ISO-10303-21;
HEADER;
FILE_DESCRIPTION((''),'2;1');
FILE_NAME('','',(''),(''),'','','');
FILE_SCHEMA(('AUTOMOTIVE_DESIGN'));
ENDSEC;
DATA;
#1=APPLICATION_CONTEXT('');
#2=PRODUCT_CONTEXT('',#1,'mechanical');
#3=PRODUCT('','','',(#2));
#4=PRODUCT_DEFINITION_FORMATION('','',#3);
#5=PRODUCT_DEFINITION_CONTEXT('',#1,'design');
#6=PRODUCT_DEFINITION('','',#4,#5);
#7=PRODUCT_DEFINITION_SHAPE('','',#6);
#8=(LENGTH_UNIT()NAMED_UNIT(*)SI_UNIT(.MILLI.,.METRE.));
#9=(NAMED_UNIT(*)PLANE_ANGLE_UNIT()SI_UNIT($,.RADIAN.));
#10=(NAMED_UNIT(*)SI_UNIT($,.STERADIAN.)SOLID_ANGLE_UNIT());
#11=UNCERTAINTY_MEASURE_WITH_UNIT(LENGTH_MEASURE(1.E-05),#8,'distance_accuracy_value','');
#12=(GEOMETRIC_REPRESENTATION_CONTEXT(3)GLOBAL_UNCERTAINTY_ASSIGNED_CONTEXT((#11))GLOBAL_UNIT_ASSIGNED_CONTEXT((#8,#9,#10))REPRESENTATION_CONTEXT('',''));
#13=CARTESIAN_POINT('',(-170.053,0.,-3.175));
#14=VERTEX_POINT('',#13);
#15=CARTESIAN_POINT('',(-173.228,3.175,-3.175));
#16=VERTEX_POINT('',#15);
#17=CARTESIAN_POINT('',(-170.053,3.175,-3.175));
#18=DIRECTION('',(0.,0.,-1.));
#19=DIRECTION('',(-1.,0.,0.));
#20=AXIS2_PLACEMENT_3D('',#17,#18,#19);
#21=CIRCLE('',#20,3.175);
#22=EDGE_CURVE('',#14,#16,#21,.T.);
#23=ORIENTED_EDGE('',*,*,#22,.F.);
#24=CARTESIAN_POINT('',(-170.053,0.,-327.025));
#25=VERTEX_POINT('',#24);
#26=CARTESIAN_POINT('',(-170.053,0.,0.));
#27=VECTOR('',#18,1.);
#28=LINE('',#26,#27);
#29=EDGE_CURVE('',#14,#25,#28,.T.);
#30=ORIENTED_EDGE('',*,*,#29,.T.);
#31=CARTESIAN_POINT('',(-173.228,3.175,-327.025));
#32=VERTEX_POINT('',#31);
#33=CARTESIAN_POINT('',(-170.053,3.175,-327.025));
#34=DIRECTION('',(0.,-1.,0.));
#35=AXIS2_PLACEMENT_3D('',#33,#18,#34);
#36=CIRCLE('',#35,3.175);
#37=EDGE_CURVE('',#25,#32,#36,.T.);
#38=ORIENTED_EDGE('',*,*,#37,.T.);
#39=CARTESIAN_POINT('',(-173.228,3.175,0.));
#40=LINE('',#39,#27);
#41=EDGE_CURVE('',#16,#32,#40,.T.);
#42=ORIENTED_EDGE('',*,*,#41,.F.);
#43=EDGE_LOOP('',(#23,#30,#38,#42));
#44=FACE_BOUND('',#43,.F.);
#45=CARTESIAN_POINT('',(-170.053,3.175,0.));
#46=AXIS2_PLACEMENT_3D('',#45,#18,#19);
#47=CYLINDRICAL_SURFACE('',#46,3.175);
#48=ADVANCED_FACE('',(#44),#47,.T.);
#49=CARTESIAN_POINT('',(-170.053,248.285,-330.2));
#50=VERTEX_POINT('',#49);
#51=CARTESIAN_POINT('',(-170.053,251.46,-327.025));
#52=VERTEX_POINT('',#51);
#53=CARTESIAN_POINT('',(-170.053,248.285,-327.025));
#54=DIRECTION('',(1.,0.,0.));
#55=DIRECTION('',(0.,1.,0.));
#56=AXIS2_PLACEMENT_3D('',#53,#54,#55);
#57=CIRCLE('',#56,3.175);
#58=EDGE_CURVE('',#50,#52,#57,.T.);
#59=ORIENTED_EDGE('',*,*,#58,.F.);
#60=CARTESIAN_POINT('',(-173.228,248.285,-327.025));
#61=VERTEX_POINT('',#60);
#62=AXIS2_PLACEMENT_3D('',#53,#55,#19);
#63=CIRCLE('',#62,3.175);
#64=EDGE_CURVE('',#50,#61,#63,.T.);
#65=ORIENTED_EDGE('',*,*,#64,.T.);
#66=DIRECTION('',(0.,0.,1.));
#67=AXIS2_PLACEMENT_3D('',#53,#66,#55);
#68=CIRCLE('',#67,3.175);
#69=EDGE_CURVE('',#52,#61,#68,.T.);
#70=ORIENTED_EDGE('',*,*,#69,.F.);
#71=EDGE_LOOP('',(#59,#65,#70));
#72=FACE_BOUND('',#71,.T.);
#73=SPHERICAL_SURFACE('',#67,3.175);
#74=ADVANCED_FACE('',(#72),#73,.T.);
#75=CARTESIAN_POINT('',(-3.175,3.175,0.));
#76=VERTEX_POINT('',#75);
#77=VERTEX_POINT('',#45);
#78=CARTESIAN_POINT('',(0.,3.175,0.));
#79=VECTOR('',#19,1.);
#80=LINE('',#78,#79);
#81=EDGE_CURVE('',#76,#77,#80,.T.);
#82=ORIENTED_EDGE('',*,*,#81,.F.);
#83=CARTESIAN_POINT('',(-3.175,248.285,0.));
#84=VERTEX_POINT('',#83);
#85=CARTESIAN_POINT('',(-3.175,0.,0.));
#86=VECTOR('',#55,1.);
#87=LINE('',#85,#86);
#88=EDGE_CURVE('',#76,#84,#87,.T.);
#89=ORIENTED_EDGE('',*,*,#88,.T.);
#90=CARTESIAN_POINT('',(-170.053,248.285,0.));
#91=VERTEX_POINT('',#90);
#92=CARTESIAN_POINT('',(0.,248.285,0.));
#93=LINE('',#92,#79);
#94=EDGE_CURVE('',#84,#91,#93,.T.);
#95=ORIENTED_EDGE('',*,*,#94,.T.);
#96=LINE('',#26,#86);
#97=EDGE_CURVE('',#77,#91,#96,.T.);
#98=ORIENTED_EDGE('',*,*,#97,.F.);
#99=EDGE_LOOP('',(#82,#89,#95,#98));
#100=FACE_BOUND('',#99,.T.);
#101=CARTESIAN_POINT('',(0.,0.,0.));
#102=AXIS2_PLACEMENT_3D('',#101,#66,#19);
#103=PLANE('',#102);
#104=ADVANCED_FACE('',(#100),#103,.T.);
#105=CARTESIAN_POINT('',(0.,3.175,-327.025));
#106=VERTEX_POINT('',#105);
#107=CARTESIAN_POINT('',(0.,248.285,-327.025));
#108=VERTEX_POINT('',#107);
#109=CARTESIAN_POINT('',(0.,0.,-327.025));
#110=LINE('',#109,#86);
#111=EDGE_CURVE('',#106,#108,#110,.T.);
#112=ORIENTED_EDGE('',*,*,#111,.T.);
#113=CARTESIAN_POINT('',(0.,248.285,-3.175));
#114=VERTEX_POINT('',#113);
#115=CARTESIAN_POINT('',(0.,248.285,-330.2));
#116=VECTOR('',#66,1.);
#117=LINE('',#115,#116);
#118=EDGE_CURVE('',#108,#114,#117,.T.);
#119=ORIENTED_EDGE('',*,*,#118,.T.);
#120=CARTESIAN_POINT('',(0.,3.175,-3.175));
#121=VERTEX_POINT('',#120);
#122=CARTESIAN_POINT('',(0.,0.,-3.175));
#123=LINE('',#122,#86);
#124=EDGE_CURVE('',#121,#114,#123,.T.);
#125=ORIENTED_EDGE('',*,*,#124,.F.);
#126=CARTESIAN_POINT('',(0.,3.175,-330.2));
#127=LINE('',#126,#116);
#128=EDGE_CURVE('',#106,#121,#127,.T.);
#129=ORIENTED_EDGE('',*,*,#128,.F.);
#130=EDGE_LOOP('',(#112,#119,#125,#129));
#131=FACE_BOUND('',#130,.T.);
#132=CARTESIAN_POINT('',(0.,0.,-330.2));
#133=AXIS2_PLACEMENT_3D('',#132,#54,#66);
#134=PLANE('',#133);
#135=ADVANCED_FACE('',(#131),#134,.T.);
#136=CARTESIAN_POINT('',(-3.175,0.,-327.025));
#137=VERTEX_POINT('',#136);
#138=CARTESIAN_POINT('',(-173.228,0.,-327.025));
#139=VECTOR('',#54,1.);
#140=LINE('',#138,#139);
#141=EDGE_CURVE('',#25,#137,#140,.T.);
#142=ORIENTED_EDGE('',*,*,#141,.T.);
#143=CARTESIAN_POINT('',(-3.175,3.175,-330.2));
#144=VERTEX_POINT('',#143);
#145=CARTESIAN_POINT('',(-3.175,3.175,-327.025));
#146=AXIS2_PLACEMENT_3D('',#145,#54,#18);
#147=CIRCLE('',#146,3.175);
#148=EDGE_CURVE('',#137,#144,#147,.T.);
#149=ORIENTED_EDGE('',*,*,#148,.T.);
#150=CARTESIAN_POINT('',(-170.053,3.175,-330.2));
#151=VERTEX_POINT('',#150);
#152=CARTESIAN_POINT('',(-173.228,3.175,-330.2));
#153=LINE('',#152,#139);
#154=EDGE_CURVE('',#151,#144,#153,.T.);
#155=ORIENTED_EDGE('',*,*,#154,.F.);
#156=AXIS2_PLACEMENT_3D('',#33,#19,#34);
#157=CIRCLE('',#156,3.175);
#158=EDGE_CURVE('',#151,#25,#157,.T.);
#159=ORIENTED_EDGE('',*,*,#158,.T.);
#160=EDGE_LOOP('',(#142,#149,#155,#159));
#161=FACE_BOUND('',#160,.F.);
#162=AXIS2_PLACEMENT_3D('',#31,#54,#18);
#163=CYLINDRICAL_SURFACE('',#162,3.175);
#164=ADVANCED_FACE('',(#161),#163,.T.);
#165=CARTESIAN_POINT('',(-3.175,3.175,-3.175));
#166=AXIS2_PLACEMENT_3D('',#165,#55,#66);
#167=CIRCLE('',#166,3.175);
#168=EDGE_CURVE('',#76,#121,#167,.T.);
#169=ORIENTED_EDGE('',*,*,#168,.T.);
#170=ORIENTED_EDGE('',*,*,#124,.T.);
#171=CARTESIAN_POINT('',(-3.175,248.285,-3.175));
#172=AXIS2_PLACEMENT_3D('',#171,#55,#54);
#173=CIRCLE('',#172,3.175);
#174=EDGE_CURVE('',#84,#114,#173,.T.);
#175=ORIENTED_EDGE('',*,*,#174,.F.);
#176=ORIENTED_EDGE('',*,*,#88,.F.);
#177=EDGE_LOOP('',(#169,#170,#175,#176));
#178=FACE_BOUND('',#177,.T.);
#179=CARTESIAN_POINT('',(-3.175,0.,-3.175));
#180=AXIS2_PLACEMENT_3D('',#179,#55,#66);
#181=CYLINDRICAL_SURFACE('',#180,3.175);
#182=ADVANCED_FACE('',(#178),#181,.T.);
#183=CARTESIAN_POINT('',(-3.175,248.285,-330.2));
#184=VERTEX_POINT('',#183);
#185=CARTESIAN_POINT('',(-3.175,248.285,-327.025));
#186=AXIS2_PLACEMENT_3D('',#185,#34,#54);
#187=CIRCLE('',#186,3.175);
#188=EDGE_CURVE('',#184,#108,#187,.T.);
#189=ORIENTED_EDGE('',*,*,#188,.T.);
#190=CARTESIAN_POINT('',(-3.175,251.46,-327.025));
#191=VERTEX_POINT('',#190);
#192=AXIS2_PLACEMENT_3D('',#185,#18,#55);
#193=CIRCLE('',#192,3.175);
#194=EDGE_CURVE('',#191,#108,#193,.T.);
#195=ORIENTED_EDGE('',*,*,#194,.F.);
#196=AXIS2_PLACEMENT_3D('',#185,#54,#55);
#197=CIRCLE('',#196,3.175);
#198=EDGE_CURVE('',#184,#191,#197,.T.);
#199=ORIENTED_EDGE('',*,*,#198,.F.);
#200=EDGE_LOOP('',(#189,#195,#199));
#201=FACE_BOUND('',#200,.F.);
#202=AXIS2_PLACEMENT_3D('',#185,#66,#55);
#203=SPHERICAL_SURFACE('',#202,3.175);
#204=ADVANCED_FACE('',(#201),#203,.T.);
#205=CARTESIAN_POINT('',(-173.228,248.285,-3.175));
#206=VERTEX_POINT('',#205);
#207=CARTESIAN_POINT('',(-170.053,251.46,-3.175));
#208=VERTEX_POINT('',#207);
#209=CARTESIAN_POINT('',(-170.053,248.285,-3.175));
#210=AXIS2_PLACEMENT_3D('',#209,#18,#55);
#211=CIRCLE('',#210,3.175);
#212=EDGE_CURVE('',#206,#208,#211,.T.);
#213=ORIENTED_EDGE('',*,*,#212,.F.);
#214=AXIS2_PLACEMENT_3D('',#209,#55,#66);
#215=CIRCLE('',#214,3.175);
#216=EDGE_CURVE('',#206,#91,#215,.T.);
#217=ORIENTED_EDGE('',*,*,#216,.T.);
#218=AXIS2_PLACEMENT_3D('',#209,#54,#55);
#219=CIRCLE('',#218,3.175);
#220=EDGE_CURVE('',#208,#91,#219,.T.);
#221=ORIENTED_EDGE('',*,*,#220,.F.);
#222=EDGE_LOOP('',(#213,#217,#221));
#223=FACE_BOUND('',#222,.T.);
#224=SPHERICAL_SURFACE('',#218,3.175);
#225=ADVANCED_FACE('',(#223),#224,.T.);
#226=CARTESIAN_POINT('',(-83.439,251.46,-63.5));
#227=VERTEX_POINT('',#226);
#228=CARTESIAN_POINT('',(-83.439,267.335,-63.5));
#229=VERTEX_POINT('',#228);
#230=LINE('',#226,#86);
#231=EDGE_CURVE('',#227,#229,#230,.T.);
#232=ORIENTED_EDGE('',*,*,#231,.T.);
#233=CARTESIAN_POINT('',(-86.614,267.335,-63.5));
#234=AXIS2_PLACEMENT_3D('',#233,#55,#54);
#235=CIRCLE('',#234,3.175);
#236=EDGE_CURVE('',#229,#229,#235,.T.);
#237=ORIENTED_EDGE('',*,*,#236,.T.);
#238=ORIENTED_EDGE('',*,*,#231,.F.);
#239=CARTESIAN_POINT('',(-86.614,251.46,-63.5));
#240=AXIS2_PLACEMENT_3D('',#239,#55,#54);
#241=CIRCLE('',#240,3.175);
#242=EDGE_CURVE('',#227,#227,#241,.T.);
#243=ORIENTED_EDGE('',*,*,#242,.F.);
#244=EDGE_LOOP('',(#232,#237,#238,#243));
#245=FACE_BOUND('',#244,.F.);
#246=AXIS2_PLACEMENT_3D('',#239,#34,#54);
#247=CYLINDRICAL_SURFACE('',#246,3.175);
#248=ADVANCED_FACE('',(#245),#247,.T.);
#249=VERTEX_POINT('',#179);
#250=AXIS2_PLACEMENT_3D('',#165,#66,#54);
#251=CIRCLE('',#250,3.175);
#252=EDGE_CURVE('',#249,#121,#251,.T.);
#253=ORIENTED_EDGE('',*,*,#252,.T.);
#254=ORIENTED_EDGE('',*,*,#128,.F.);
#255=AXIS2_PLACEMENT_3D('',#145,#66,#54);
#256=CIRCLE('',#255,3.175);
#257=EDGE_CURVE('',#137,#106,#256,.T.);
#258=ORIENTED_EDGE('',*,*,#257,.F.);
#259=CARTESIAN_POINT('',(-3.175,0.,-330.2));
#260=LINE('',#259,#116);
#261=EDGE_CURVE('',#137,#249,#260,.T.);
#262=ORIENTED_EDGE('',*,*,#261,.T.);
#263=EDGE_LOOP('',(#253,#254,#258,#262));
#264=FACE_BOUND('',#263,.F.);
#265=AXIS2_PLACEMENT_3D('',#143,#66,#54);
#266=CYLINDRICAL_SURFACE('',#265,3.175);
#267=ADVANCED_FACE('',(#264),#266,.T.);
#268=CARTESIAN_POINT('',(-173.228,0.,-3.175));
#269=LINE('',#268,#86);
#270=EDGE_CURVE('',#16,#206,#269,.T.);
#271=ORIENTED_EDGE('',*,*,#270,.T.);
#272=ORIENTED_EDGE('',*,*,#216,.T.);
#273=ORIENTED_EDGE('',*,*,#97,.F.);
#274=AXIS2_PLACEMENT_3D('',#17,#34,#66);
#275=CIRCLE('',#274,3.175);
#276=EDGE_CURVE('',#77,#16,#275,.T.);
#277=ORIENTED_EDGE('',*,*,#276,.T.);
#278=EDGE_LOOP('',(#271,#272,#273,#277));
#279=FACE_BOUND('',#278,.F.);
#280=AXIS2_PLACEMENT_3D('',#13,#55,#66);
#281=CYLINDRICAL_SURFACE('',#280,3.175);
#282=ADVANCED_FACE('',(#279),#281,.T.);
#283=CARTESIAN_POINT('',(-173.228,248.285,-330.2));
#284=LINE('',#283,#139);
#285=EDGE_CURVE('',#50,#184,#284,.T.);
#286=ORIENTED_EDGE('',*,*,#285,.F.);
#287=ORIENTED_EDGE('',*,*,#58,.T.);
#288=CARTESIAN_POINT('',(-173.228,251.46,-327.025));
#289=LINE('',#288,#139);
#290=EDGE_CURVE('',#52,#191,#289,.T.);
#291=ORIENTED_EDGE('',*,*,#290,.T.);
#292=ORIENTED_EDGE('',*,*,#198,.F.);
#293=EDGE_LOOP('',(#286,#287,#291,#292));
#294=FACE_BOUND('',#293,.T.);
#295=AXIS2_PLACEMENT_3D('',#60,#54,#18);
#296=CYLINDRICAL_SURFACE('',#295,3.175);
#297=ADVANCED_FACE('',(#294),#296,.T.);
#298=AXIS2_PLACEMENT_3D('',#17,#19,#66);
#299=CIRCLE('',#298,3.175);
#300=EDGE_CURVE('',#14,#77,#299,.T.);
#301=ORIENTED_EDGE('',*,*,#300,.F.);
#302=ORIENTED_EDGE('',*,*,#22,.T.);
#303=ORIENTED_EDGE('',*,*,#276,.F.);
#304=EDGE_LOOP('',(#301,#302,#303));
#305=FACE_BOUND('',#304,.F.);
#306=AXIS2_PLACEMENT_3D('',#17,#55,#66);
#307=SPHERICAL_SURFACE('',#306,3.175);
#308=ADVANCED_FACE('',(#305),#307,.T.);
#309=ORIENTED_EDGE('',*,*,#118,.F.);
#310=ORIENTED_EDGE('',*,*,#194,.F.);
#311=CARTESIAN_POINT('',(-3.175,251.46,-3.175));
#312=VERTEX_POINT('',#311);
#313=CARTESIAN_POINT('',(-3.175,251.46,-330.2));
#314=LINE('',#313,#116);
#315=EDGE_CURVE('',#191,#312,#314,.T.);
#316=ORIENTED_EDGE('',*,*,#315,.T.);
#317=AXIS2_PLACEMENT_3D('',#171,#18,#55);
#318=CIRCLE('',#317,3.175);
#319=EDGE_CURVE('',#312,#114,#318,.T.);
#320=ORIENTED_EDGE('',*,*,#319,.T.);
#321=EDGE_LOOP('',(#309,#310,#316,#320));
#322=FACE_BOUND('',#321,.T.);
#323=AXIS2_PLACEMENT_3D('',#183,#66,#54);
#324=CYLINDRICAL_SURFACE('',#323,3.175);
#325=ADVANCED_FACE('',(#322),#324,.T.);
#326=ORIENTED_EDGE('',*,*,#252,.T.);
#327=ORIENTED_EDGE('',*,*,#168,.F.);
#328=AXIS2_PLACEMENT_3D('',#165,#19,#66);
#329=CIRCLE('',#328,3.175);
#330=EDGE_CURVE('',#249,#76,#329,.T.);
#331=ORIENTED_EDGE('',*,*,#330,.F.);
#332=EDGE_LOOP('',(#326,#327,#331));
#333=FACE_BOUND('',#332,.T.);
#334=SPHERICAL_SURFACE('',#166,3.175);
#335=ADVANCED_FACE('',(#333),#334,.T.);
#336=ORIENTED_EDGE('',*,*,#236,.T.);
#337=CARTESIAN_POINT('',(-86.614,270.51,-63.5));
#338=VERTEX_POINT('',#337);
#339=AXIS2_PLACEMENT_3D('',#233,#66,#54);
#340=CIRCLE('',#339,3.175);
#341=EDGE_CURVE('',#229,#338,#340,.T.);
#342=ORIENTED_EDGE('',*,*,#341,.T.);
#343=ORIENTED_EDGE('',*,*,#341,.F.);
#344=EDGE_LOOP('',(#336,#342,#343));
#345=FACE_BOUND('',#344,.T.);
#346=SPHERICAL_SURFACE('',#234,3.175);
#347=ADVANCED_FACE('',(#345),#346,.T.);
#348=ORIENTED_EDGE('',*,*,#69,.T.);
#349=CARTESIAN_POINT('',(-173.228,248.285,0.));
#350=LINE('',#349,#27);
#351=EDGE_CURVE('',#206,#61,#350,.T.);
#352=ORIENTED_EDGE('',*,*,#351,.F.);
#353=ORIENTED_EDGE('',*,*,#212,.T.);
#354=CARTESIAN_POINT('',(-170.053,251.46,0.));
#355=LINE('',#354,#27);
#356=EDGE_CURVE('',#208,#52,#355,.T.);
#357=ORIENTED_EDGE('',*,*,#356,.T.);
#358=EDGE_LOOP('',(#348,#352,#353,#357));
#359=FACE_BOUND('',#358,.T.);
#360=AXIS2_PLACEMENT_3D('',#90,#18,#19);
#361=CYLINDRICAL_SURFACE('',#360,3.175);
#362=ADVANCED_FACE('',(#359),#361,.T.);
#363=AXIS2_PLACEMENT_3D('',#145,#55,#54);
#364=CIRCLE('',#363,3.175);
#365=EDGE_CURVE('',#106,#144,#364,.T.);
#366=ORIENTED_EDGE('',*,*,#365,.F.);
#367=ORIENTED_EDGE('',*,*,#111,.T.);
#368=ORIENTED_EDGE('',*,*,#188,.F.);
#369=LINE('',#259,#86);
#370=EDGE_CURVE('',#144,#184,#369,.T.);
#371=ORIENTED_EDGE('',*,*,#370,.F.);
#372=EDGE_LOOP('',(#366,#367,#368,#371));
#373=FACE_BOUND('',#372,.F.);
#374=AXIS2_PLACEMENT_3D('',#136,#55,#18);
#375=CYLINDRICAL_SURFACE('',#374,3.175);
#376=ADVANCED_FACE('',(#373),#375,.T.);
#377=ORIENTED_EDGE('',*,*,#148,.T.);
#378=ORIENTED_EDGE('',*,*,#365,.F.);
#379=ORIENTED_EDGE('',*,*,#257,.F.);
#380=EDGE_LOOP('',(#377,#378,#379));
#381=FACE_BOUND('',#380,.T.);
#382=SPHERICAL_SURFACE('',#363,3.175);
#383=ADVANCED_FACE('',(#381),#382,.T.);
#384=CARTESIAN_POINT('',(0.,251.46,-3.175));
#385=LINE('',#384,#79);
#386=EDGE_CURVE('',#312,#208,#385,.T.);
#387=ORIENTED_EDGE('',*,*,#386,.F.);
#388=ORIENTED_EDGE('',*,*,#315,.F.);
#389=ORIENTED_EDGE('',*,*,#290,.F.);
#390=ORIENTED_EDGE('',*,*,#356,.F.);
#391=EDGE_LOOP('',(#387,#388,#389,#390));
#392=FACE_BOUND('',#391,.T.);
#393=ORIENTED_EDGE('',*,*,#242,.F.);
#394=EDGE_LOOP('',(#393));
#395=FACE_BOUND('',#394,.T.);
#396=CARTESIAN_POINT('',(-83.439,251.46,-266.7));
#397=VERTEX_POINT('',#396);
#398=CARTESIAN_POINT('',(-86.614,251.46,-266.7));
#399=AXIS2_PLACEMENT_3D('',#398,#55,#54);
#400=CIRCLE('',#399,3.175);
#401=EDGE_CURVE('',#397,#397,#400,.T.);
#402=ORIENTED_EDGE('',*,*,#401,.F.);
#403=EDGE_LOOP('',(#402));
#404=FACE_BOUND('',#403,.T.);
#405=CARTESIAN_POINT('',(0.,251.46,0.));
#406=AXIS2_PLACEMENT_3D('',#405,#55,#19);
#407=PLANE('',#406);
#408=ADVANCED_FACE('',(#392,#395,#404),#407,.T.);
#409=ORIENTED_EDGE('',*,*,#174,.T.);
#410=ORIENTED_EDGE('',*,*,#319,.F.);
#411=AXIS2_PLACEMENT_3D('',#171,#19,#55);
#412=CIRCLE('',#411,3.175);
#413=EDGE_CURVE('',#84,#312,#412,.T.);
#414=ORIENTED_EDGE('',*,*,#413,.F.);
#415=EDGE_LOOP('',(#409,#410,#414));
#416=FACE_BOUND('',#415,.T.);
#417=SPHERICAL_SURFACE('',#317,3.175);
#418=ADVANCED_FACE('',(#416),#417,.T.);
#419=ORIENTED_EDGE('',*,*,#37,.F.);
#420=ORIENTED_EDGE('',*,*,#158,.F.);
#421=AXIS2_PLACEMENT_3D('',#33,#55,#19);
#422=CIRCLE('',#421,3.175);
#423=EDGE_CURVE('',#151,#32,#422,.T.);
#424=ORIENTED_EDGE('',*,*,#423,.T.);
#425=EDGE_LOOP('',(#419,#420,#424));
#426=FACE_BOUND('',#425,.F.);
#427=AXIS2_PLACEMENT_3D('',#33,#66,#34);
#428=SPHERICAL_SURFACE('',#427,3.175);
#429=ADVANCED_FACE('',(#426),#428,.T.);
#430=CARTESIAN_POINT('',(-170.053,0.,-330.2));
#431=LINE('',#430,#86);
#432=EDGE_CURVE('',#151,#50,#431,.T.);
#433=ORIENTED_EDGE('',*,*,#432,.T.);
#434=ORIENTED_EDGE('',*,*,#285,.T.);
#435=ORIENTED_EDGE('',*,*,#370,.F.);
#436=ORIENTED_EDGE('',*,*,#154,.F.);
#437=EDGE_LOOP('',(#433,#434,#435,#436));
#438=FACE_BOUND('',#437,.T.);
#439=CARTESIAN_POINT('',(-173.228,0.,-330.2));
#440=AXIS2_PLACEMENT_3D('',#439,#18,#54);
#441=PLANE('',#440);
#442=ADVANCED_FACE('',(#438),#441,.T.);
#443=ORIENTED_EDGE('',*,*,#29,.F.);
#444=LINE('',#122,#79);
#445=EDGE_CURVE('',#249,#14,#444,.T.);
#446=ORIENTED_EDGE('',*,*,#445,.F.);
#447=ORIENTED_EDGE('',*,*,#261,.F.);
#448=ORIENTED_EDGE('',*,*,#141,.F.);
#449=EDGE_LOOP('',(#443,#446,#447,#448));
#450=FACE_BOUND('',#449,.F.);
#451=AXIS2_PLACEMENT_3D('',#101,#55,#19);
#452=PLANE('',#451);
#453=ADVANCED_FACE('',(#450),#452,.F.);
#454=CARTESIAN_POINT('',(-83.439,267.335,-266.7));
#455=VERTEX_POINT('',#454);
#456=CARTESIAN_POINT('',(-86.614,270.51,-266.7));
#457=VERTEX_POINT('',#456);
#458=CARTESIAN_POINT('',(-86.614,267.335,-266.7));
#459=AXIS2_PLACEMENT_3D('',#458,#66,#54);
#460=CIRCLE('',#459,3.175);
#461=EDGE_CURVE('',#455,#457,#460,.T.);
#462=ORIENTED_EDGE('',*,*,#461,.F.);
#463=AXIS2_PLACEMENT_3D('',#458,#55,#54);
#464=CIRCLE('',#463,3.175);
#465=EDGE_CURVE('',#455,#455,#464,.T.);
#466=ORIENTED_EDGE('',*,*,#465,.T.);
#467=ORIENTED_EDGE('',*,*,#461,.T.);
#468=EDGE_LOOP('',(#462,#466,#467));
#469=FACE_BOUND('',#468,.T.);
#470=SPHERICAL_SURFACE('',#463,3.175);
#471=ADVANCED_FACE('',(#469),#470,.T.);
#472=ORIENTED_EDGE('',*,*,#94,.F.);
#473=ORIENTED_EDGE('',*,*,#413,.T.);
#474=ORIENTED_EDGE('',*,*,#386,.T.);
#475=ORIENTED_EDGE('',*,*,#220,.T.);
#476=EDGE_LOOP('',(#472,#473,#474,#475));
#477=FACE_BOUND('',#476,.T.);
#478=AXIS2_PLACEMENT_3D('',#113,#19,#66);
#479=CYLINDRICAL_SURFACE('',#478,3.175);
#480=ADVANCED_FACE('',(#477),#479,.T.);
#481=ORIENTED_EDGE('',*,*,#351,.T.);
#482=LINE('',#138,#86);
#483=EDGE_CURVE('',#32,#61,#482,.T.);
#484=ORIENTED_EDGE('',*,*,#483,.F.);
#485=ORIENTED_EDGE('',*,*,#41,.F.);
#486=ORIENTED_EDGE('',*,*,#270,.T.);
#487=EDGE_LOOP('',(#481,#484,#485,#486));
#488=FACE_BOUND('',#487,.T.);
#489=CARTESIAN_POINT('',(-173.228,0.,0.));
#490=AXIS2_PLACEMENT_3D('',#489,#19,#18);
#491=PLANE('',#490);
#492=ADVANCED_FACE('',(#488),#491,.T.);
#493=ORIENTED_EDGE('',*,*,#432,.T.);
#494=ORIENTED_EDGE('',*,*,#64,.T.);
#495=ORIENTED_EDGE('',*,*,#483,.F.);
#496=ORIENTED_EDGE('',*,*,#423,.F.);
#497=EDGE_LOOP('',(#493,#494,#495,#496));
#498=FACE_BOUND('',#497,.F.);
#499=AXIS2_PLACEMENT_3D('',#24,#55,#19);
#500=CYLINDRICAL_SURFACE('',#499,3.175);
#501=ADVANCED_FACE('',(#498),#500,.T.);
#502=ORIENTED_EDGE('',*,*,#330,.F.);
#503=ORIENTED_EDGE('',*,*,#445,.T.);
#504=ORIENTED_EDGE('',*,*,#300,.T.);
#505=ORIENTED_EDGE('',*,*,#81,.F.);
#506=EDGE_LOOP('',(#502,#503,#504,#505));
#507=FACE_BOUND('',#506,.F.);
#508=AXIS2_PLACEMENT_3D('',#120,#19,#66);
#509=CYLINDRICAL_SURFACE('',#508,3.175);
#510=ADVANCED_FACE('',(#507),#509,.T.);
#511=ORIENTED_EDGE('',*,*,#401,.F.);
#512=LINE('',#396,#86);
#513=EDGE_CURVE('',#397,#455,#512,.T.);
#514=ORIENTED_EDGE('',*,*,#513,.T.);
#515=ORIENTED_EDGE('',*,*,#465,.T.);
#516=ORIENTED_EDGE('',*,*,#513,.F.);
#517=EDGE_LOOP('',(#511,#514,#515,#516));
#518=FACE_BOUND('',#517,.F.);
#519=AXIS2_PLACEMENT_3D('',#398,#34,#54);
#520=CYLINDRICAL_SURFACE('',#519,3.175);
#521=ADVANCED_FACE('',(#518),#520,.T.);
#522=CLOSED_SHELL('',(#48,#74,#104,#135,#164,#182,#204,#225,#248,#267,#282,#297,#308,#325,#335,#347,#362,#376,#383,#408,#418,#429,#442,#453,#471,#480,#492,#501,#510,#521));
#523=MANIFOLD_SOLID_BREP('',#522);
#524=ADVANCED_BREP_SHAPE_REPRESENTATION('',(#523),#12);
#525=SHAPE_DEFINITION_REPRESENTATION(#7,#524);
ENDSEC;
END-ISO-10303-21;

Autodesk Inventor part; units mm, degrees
ref_plane "YZ Plane" through (0, 0, 0) normal (1, 0, 0) x (0, 1, 0)
ref_plane "XZ Plane" through (0, 0, 0) normal (0, 1, 0) x (-1, 0, 0)
ref_plane "XY Plane" through (0, 0, 0) normal (0, 0, 1) x (1, 0, 0)
sketch "Sketch1" plane through (0, 0, 0) normal (0, 1, 0) x (-1, 0, 0)
  line L0 (0, 0) -> (173.228, 0)
  line L1 (173.228, 0) -> (173.228, -330.2)
  line L2 (173.228, -330.2) -> (0, -330.2)
  line L3 (0, -330.2) -> (0, 0)
  dimension "d0" = 173.228
  dimension "d1" = 330.2
extrude "Extrusion1" add sketch "Sketch1" along normal blind 251.46
fillet "Fillet1" radius 3.175 12 edges at (0, 251.46, -165.1) (-86.614, 251.46, 0) (0, 125.73, 0) (-173.228, 251.46, -165.1) (-86.614, 251.46, -330.2) (0, 125.73, -330.2) (-173.228, 125.73, 0) (-86.614, 0, 0) (0, 0, -165.1) (-173.228, 0, -165.1) (-86.614, 0, -330.2) (-173.228, 125.73, -330.2)
sketch "Sketch2" plane through (0, 251.46, 0) normal (0, 1, 0) x (1, 0, 0)
  circle A0 centre (-86.614, 63.5) radius 3.175
  circle A1 centre (-86.614, 266.7) radius 3.175
  line L0 (0, 3.175) -> (0, 327.025) projected
  line L1 (-173.228, 327.025) -> (-173.228, 3.175) projected
  line L2 (-3.175, 330.2) -> (-170.053, 330.2) projected
  line L3 (-170.053, 0) -> (-3.175, 0) projected
  point P0 (0, 0)
  dimension "d5" = 6.35
  dimension "d6" = 6.35
  dimension "d9" = 86.614
  dimension "d10" = 86.614
  dimension "d11" = 86.614
  dimension "d12" = 63.5
  dimension "d13" = 63.5
extrude "Extrusion2" add sketch "Sketch2" along normal blind 19.05
fillet "Fillet2" radius 3.175 2 edges at (-89.789, 270.51, -63.5) (-89.789, 270.51, -266.7)
equation "\"d10\" = d11"
properties part number "Deep Cycle Battery"
